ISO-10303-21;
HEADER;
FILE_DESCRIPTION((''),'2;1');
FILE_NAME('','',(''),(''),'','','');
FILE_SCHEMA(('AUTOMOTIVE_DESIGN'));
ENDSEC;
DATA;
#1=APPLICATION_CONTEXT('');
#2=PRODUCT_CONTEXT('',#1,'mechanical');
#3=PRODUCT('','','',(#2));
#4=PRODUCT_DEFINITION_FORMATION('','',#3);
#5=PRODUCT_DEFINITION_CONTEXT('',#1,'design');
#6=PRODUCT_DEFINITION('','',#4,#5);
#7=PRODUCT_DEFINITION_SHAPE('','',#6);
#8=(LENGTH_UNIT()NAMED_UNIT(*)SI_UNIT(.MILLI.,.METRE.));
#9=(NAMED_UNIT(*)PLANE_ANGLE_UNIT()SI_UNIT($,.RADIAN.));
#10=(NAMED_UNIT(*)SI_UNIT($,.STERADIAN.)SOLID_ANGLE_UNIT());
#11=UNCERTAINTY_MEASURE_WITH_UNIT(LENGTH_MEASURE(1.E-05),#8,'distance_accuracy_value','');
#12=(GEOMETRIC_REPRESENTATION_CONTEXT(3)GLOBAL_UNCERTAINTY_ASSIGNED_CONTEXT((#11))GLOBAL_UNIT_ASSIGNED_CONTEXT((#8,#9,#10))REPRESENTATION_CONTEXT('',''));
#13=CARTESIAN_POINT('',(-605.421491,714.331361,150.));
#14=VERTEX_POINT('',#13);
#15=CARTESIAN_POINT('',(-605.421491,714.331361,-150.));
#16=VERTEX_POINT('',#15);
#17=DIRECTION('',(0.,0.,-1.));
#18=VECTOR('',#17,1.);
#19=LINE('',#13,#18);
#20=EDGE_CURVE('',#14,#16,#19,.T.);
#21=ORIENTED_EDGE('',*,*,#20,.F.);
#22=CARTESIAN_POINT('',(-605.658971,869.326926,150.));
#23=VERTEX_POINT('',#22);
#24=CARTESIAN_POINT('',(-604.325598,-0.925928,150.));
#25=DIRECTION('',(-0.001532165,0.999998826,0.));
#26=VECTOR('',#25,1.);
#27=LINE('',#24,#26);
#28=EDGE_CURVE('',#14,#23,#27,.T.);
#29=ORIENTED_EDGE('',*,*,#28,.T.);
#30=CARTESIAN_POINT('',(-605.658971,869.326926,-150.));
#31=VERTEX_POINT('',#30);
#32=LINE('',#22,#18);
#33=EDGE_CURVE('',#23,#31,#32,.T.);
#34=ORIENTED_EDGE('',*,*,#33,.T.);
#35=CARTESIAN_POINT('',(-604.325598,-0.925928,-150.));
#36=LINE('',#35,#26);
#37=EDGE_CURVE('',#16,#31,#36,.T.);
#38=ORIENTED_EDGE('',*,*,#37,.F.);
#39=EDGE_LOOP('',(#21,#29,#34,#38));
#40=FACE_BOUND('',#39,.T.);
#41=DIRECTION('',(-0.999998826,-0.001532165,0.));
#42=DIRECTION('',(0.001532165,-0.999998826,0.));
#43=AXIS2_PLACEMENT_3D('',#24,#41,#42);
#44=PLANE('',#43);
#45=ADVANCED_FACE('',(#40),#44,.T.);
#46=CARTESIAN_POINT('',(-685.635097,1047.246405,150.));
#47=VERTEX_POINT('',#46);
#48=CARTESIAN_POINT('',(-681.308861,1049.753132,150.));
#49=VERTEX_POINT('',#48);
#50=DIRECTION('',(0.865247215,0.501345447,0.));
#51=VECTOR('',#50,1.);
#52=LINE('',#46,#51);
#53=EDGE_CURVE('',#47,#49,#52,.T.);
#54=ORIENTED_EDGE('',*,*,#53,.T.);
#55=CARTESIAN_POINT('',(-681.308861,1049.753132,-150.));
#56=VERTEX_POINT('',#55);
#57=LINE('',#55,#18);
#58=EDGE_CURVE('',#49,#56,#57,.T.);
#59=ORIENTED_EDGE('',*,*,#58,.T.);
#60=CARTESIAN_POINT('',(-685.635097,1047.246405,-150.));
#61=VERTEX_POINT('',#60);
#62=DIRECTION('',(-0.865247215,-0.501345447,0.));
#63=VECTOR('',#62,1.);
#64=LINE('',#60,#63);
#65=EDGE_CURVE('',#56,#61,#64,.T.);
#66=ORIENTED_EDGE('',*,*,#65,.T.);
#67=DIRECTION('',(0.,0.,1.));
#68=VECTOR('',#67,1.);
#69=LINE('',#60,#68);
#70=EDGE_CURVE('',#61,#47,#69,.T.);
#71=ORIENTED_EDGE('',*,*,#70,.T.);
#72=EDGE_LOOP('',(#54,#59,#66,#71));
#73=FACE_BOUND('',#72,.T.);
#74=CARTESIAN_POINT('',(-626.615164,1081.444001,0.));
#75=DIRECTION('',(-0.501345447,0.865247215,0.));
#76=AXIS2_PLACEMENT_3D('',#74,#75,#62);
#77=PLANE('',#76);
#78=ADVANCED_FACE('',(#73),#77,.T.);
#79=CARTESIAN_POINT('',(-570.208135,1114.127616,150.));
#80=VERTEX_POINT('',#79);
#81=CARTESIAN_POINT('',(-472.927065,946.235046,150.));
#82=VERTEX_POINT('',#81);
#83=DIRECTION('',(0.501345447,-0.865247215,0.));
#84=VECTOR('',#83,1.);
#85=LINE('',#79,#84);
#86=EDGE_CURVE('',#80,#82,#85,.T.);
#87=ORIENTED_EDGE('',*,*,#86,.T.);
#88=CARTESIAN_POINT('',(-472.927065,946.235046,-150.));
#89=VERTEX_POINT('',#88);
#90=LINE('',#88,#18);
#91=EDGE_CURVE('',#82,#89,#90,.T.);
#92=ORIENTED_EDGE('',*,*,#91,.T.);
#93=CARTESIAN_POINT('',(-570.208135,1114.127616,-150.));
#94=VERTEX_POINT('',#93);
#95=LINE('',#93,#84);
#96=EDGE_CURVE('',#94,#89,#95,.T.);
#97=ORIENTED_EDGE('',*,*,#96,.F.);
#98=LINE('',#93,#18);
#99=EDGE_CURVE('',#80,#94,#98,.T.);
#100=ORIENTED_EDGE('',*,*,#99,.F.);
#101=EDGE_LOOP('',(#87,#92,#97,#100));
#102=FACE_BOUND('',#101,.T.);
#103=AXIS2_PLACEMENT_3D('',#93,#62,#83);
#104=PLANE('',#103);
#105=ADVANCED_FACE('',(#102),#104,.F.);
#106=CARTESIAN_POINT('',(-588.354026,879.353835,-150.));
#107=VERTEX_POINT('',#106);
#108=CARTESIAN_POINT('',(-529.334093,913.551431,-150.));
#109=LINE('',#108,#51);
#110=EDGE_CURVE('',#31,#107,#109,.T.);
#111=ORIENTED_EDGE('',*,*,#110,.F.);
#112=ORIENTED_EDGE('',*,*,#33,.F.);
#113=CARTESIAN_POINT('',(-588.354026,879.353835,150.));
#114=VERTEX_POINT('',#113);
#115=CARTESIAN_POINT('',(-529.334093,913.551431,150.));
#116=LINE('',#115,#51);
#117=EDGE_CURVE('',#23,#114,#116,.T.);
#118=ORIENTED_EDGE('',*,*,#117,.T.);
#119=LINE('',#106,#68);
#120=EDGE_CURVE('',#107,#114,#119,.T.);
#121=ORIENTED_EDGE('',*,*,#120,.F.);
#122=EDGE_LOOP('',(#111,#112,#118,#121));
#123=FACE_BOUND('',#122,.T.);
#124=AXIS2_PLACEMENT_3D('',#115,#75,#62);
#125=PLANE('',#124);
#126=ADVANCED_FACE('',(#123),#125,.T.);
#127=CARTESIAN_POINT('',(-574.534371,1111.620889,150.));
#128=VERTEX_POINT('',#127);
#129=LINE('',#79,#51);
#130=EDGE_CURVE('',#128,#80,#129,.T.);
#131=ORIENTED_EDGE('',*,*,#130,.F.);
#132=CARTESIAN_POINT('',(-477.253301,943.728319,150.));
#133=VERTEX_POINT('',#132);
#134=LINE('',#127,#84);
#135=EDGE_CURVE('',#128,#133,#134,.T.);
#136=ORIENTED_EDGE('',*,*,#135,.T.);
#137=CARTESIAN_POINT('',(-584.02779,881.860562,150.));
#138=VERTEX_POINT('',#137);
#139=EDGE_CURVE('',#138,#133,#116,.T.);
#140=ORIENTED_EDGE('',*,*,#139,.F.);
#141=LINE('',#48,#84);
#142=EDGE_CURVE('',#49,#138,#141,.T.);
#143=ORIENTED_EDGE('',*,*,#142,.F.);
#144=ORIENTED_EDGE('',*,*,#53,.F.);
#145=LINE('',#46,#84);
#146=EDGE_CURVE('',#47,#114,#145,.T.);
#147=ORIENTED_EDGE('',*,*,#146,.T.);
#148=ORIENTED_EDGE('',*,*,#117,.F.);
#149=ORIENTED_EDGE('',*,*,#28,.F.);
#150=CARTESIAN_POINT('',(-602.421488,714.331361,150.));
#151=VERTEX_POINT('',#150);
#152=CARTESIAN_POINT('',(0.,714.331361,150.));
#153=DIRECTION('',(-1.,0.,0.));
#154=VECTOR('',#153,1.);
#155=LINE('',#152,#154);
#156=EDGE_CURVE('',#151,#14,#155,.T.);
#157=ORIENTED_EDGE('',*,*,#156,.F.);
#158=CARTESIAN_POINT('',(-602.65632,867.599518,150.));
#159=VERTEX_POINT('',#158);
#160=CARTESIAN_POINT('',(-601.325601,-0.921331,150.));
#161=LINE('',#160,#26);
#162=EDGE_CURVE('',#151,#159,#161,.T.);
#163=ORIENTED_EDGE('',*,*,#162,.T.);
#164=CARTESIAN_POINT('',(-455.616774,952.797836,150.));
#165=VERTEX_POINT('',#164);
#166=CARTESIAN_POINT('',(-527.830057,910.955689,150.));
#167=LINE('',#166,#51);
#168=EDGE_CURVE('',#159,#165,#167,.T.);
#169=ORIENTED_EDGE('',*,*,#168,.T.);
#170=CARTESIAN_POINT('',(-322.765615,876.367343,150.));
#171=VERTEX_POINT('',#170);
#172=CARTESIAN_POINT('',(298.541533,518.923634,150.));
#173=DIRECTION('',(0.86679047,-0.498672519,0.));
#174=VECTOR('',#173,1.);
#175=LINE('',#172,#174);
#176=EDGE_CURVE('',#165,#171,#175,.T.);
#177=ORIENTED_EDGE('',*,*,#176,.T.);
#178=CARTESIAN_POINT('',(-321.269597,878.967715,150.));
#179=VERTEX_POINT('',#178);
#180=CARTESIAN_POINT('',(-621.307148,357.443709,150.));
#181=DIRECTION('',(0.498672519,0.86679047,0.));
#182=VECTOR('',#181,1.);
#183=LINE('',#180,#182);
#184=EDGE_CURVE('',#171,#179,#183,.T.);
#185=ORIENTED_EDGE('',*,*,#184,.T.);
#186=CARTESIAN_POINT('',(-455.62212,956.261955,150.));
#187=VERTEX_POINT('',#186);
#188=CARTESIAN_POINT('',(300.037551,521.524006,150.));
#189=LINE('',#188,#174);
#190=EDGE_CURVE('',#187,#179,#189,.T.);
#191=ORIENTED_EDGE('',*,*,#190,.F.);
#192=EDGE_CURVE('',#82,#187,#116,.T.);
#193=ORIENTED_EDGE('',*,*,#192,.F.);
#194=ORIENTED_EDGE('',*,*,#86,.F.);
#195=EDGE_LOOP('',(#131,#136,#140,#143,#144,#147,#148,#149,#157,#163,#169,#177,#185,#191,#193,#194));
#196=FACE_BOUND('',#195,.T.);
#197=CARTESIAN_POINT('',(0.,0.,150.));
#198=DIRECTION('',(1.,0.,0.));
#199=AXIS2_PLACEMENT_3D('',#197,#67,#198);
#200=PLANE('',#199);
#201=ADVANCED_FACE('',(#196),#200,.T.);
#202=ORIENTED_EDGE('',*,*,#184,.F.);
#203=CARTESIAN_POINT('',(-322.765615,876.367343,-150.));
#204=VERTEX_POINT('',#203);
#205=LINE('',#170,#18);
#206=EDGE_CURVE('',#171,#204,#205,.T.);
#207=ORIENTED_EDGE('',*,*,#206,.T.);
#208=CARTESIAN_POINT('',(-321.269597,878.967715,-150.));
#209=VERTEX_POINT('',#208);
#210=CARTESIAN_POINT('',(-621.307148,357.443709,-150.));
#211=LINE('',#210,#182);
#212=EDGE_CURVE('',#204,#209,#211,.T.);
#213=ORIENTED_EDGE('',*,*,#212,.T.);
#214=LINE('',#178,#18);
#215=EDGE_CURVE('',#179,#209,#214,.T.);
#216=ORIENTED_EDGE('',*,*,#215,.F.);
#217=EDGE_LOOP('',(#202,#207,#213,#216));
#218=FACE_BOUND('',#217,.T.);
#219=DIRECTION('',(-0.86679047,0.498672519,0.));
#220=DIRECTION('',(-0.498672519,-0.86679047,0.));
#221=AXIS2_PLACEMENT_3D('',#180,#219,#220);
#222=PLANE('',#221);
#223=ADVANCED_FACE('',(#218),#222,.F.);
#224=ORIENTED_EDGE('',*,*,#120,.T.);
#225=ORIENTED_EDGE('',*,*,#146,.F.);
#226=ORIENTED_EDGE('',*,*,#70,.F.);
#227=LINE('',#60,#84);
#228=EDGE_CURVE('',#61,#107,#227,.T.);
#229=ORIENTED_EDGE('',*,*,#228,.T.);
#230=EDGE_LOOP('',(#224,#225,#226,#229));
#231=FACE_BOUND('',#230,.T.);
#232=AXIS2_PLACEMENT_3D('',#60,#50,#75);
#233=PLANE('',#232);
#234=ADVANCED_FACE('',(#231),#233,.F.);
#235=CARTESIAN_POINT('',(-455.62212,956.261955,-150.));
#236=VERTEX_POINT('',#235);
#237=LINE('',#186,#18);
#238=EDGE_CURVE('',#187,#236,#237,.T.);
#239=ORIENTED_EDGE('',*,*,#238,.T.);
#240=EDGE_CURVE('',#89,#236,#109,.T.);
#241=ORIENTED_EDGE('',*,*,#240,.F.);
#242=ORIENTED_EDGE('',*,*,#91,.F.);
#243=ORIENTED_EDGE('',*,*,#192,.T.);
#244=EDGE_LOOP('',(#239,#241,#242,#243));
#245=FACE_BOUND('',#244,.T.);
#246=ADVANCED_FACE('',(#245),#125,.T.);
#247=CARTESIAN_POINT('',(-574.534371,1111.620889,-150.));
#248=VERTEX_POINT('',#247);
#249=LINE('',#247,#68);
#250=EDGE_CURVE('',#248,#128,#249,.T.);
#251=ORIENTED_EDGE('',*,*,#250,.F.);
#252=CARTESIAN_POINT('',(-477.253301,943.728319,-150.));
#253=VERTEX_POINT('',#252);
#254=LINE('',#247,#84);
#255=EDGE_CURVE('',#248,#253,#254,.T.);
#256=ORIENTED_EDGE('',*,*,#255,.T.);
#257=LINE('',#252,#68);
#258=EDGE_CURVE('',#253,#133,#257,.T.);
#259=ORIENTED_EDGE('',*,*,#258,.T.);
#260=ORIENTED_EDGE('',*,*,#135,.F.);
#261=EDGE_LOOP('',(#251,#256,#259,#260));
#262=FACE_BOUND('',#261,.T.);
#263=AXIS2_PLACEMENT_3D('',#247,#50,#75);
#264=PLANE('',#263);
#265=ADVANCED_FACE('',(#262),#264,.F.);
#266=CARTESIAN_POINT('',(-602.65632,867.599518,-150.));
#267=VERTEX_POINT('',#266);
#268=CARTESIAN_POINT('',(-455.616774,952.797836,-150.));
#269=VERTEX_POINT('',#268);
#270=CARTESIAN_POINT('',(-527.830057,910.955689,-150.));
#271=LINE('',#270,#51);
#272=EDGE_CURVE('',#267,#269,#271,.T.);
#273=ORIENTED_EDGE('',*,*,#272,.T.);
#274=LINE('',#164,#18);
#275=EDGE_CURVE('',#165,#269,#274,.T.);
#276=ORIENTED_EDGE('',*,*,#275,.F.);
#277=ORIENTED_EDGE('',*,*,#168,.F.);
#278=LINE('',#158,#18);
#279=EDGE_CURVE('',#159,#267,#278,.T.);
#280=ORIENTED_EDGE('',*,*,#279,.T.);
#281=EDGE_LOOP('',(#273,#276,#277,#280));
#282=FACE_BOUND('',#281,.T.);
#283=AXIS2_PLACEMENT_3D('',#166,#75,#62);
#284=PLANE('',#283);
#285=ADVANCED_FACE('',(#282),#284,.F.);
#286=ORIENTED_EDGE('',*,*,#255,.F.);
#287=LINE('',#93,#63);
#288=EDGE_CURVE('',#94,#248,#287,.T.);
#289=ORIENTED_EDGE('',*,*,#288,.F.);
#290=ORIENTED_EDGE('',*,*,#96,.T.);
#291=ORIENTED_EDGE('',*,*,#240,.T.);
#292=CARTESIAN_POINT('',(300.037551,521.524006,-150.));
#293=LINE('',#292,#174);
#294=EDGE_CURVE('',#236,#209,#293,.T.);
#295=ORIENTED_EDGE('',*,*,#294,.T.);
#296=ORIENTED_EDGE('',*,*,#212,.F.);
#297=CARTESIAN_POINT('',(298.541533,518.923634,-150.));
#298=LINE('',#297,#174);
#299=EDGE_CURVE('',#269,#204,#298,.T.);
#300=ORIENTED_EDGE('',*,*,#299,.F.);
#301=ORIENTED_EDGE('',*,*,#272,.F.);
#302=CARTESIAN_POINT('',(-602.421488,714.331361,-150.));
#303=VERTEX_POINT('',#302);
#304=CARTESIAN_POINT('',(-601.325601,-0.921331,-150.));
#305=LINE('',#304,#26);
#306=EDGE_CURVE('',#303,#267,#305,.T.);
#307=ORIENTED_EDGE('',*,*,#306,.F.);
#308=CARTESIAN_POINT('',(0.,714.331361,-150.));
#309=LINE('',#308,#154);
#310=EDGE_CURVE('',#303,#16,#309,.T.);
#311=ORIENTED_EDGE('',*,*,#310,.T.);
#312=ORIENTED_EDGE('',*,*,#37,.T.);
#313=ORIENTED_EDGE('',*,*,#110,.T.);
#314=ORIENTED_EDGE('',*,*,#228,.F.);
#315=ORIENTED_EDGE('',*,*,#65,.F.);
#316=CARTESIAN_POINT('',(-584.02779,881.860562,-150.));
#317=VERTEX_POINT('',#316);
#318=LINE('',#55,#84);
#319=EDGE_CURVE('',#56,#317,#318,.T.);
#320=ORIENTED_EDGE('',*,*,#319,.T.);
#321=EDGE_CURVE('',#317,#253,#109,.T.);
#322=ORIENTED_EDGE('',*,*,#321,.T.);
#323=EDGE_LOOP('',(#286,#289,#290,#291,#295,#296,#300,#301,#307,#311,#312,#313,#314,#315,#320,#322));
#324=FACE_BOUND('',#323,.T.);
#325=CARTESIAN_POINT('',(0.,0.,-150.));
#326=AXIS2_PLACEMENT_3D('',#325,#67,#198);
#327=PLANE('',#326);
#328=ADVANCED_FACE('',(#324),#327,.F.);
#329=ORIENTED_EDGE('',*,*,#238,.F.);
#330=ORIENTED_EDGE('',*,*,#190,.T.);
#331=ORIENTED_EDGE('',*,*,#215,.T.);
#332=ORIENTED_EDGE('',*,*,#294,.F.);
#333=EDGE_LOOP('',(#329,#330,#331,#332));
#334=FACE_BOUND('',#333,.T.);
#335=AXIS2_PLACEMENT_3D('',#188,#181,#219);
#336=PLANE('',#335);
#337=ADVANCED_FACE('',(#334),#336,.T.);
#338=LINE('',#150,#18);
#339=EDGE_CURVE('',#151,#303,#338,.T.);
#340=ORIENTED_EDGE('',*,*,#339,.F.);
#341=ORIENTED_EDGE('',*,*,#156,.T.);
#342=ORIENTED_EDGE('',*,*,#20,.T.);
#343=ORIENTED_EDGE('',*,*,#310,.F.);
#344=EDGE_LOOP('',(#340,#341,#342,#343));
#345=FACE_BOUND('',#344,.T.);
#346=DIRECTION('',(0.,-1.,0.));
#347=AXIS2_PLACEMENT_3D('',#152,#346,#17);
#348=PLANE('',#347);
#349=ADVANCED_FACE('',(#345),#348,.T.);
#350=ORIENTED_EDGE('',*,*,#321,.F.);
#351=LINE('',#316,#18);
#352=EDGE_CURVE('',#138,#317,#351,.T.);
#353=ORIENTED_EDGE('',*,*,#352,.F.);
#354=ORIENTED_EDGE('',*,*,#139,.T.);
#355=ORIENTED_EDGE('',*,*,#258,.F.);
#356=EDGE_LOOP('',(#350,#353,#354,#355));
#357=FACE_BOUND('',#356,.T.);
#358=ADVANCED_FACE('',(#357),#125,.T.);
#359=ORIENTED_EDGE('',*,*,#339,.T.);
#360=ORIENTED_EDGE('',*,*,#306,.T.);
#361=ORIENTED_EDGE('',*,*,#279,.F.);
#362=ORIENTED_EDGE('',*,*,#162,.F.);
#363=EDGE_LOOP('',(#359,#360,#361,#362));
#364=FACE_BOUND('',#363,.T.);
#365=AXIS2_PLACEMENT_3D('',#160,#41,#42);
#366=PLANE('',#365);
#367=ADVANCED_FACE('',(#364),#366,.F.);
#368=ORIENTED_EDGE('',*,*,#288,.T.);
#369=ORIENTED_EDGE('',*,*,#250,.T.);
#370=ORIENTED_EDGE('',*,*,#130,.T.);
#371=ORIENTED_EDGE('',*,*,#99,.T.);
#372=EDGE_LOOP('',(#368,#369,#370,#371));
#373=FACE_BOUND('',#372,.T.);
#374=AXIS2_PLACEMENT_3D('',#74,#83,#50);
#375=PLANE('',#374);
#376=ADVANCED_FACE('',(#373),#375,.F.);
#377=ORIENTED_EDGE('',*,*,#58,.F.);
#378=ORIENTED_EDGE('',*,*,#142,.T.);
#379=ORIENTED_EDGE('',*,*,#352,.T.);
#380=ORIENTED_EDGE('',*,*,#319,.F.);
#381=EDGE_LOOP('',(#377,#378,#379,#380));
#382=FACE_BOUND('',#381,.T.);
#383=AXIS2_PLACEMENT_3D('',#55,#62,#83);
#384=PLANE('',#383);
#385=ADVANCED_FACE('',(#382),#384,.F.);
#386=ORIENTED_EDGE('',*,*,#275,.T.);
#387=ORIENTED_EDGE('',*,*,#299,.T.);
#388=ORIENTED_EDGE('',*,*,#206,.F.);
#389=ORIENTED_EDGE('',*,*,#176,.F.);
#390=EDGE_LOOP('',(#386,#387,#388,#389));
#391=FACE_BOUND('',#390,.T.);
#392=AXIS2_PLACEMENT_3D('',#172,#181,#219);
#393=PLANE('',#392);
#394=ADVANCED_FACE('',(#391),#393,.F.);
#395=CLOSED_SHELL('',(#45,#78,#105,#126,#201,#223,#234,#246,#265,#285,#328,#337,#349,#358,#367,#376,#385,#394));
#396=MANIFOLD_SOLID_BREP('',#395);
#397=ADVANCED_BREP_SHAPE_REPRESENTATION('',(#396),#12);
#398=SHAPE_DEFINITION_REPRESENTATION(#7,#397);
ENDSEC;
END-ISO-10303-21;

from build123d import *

# Parameters (mm, degrees)
BOSS_EXTRUDE3_DEPTH = 150
SKETCH3_W           = 5
SKETCH3_H           = 300
BOSS_EXTRUDE4_DEPTH = 194.04


with BuildPart() as part:
    # Sketch1 → Boss-Extrude3 (new, symmetric)
    with BuildSketch(Plane.XY):
        Polygon((-605.658970563, 869.326926327), (-605.421491465, 714.331361266), (-602.421487943, 714.331361266), (-602.651320044, 864.335957761), (-602.656320364, 867.599518288), (-455.616774381, 952.797835671), (-452.784185512, 951.168221277), (-322.765615027, 876.367343414), (-321.26959747, 878.967714824), (-451.288167955, 953.768592687), (-455.622120304, 956.261955282), align=None)
    extrude(amount=BOSS_EXTRUDE3_DEPTH, both=True)

    # Sketch3 → Boss-Extrude4 (add)
    with BuildSketch(Plane(origin=(-529.334093448, 913.551431111, 0), x_dir=(0.8652472150761933, 0.5013454465764019, 0), z_dir=(-0.5013454465764018, 0.8652472150761932, 0))):
        with Locations((62.691806295, 0)):
            Rectangle(SKETCH3_W, SKETCH3_H)
        with Locations((-65.711641465, 0)):
            Rectangle(SKETCH3_W, SKETCH3_H)
    extrude(amount=BOSS_EXTRUDE4_DEPTH)


solid = part.part
